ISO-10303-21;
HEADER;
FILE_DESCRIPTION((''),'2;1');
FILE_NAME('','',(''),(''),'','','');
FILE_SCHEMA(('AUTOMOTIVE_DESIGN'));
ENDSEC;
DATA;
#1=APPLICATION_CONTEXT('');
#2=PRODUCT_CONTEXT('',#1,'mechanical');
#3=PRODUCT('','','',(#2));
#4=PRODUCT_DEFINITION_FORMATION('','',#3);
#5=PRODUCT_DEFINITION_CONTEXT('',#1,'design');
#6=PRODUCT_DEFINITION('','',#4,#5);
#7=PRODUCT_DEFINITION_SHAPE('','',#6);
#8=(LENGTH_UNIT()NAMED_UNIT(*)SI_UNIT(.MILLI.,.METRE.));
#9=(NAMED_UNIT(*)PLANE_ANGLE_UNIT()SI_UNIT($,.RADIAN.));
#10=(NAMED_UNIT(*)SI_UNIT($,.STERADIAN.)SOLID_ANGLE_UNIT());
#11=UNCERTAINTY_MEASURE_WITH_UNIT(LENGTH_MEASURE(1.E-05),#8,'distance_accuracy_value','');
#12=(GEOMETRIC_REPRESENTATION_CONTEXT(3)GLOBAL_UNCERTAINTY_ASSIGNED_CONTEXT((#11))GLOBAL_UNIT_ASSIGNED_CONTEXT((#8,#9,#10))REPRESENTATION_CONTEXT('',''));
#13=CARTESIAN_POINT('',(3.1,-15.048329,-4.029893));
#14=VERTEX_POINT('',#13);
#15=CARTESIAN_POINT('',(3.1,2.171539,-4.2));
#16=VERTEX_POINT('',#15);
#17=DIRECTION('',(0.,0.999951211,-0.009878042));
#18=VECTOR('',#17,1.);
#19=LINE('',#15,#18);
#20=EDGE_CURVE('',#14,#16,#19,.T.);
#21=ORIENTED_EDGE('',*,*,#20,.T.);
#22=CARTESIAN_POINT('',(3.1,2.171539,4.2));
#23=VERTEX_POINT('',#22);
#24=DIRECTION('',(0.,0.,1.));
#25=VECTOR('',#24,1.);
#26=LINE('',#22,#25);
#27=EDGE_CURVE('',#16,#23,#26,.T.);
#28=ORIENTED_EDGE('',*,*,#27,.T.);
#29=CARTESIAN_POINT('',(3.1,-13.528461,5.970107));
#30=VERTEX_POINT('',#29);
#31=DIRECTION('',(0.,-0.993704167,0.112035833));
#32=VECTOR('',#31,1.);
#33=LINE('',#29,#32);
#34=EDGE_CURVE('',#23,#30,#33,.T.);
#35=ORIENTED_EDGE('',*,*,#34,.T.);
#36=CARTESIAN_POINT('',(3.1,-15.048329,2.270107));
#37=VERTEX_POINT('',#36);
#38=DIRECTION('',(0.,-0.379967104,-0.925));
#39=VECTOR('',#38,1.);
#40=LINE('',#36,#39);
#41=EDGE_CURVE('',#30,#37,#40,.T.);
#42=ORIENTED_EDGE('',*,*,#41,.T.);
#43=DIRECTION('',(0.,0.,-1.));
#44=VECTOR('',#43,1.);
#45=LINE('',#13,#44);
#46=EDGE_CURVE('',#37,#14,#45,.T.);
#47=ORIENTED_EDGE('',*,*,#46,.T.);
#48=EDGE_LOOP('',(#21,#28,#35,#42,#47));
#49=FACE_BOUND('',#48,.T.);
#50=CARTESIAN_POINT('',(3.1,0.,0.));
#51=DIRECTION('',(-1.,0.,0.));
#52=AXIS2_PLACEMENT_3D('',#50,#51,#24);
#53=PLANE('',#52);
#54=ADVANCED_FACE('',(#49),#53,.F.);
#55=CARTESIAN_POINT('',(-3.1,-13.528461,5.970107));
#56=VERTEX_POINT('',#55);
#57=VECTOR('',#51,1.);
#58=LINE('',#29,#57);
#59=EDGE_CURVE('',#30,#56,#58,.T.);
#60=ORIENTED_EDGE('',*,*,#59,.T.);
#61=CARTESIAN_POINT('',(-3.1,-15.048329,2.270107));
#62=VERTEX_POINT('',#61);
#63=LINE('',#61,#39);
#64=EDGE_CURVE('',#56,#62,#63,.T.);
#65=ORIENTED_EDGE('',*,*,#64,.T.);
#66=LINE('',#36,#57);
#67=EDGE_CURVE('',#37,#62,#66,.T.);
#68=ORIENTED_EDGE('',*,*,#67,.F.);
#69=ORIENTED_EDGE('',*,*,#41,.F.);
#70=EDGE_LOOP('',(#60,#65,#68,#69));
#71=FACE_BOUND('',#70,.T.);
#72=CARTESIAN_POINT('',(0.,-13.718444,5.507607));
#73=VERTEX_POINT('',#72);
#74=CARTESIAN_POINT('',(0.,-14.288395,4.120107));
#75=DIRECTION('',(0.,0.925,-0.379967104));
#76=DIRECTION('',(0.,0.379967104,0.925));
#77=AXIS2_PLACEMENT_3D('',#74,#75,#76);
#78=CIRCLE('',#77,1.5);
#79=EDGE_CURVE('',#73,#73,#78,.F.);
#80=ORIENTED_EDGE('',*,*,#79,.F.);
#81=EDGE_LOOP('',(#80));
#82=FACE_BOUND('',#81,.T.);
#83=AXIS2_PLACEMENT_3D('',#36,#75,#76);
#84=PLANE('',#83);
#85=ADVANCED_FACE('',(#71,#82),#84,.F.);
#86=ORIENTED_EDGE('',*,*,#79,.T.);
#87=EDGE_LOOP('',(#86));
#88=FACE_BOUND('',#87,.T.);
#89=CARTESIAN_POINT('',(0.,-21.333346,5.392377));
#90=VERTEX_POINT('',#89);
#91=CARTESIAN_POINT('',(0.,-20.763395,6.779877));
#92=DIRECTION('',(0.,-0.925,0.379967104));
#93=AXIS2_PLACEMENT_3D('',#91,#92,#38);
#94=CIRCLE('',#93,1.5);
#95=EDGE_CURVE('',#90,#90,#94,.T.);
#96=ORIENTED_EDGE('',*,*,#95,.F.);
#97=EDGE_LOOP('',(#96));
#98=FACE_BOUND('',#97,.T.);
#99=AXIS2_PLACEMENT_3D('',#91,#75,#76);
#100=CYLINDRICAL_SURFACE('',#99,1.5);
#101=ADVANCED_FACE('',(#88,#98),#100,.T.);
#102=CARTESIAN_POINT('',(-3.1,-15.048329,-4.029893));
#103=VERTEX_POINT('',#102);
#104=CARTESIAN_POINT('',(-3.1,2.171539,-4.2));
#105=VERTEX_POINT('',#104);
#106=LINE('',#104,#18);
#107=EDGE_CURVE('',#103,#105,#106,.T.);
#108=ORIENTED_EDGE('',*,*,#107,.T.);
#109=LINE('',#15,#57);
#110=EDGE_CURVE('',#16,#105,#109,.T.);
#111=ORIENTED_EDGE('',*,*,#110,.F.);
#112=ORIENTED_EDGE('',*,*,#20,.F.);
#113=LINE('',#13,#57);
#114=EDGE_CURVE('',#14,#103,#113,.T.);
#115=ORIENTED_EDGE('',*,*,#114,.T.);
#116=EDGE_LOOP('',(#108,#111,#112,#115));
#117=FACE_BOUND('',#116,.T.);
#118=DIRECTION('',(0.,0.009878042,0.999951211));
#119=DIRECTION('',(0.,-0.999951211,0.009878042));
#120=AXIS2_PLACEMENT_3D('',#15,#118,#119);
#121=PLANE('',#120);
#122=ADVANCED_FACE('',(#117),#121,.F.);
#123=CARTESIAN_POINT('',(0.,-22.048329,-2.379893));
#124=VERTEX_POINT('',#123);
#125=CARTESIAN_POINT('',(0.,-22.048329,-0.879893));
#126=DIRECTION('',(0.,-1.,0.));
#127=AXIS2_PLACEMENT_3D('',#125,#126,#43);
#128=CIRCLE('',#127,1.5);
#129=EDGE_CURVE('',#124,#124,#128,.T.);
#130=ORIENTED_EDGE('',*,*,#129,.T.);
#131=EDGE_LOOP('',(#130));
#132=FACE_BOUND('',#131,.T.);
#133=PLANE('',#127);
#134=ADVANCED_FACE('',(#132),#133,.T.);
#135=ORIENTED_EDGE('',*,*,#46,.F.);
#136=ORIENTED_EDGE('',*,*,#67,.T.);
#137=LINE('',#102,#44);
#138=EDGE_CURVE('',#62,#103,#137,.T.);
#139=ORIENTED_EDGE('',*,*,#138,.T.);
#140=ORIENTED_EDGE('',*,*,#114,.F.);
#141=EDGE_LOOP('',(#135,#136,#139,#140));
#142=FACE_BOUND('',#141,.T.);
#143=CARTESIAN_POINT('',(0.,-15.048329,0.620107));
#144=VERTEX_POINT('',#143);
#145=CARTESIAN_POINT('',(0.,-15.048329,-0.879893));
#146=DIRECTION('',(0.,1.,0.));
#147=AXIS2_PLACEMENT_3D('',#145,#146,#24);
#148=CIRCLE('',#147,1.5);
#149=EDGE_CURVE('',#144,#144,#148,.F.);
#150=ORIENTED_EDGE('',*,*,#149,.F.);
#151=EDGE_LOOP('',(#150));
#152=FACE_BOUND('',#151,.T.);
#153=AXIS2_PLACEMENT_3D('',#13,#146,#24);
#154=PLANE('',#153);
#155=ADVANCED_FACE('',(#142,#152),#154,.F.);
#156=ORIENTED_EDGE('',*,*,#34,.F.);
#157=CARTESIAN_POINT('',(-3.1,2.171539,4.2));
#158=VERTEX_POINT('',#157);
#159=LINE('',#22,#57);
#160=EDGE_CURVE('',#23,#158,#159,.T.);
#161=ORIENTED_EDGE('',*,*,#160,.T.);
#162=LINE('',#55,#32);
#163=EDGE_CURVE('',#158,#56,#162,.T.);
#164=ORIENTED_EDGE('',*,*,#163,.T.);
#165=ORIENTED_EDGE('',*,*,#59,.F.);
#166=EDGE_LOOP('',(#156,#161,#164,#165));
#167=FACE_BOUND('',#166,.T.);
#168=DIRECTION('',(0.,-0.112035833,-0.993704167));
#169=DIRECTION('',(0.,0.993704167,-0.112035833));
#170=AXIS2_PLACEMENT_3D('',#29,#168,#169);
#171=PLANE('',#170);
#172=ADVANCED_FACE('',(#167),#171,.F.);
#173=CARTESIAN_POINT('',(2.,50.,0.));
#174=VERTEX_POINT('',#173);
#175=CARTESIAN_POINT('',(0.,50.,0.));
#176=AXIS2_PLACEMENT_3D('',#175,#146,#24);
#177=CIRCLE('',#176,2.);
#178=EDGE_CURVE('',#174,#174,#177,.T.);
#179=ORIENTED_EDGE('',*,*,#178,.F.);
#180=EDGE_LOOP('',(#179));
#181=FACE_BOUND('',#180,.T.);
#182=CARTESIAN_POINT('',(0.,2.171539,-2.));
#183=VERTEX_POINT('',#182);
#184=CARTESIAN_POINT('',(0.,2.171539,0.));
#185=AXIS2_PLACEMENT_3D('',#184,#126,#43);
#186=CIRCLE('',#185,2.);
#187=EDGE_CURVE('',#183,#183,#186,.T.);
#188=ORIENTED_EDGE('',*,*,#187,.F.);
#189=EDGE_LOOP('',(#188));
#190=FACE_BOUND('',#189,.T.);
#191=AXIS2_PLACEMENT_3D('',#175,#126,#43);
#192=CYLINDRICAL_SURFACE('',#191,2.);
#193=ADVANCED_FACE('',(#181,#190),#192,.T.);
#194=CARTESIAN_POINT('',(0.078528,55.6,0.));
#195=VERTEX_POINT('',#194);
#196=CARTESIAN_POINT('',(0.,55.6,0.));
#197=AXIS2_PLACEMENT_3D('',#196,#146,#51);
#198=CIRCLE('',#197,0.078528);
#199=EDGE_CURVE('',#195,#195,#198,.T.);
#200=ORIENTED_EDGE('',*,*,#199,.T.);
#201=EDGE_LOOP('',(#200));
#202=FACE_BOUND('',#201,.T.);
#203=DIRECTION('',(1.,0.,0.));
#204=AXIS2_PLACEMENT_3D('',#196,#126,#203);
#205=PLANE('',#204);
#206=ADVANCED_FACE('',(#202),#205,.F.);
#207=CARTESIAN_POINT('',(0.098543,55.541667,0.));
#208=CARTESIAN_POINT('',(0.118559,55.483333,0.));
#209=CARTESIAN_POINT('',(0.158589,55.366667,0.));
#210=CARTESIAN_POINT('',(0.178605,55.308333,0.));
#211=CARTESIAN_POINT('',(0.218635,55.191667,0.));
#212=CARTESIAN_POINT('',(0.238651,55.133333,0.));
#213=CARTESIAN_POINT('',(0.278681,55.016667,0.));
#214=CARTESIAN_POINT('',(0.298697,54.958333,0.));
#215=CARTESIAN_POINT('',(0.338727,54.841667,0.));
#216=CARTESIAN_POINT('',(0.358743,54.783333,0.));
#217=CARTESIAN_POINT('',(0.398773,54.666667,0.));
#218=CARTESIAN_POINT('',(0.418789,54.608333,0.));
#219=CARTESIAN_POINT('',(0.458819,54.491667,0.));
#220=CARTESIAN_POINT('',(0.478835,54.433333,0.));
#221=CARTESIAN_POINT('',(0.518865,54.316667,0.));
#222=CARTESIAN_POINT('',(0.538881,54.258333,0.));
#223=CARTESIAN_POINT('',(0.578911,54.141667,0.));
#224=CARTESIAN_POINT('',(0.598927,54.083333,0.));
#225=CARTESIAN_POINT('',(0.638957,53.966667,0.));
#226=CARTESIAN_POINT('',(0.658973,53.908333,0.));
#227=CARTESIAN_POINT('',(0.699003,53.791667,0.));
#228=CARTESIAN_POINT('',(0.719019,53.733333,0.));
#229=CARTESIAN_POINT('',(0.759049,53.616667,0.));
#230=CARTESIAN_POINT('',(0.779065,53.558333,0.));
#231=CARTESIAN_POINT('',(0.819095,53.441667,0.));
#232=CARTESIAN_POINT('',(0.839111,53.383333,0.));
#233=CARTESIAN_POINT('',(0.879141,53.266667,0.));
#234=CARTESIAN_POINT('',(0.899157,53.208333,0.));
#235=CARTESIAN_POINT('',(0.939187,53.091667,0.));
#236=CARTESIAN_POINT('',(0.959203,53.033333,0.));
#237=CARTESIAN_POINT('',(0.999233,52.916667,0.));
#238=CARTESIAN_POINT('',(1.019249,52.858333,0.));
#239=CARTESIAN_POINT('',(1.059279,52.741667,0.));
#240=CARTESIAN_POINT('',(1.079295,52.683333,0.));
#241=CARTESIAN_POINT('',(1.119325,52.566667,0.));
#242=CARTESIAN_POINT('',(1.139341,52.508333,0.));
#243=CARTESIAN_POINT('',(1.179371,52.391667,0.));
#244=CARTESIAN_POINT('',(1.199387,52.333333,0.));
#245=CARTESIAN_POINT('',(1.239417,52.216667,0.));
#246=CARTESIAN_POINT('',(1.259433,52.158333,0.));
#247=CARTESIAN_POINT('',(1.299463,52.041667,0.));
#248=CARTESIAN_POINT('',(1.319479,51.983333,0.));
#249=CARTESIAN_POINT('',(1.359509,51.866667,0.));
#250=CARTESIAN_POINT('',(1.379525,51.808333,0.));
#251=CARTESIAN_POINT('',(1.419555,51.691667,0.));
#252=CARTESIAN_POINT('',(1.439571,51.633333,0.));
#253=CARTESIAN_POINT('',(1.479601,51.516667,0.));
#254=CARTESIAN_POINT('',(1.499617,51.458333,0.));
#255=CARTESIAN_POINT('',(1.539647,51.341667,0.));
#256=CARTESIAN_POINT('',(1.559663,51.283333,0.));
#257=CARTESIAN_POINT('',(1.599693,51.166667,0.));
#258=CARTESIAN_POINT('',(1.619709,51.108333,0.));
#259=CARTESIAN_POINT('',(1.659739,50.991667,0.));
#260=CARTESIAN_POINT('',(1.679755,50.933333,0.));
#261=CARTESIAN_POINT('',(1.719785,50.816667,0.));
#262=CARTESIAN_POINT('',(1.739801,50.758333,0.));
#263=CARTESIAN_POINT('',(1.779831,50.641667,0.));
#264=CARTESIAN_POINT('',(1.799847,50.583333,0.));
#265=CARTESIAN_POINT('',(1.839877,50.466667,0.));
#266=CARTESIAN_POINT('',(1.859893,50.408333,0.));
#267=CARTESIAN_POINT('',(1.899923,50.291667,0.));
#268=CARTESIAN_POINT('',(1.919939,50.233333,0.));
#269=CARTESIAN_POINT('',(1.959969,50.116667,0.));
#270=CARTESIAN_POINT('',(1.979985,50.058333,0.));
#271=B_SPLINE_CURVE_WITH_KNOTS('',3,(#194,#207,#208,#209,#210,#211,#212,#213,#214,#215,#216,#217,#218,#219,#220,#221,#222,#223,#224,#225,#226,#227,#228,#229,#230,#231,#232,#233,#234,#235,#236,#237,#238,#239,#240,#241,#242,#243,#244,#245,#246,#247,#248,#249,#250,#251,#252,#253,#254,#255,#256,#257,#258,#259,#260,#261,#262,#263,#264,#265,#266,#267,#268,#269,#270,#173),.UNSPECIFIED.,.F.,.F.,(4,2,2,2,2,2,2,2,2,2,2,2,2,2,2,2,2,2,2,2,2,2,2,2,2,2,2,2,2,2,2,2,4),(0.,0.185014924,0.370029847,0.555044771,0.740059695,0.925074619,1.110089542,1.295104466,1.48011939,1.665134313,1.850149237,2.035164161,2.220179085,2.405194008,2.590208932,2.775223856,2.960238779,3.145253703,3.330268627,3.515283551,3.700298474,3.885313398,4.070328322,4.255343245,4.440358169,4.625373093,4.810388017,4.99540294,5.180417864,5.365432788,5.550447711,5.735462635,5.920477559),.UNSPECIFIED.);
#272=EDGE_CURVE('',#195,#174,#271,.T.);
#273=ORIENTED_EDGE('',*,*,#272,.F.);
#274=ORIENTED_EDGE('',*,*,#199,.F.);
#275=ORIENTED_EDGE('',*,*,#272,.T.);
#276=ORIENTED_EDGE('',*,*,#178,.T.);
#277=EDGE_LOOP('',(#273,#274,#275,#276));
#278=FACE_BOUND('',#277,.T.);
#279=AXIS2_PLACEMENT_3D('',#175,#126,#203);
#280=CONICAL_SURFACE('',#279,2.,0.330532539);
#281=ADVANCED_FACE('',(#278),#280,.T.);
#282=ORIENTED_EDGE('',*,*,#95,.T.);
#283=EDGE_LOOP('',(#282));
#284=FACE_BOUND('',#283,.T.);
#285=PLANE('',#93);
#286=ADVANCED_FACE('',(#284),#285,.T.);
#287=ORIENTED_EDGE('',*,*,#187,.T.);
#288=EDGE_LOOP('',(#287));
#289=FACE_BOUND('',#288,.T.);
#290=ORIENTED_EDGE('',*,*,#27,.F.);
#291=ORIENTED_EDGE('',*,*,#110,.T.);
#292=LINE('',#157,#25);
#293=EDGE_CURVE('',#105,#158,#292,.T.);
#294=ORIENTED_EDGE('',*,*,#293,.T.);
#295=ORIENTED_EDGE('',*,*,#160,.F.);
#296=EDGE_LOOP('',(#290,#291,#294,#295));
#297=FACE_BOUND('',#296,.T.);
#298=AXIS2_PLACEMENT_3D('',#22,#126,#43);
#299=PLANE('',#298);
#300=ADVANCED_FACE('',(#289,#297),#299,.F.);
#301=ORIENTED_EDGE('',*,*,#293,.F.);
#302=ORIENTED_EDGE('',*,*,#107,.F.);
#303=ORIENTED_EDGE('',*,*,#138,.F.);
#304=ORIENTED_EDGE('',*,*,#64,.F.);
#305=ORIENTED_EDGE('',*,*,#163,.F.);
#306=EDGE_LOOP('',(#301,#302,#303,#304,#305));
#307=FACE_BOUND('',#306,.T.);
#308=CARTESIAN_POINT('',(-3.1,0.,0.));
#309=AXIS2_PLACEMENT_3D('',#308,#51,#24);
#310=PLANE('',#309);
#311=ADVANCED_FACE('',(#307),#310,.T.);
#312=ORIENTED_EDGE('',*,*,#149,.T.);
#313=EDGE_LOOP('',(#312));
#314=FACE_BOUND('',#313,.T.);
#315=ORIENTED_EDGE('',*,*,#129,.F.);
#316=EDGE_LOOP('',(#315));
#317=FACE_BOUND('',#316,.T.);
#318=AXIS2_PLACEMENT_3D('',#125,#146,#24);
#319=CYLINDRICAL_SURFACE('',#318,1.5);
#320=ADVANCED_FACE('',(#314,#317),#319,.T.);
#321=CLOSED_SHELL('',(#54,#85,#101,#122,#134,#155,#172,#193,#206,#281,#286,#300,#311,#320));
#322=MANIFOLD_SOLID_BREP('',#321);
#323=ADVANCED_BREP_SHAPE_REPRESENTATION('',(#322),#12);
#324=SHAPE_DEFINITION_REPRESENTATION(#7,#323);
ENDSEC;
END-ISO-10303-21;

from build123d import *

# Parameters (mm, degrees)
SKETCH1_R           = 2
BOSS_EXTRUDE1_DEPTH = 50
BOSS_EXTRUDE2_DEPTH = 3.1
SKETCH4_R           = 1.5
BOSS_EXTRUDE3_DEPTH = 7
SKETCH5_R           = 1.5
BOSS_EXTRUDE4_DEPTH = 7


with BuildPart() as part:
    # Sketch1 → Boss-Extrude1 (new body)
    with BuildSketch(Plane(origin=(0, 0, 0), x_dir=(1, 0, 0), z_dir=(0, 1, 0))):
        with Locations(Location((0, 0, 0), (0, 0, 270))):
            Circle(SKETCH1_R)
    extrude(amount=BOSS_EXTRUDE1_DEPTH)

    # Sketch2 → Revolve1 (revolve)
    with BuildSketch(Plane.XY):
        Polygon((0, 55.6), (0, 50), (2, 50), (0.078528032, 55.6), align=None)
    revolve(axis=Axis((0, 55.6, 0), (0, -1, 0)))

    # Sketch3 → Boss-Extrude2 (add, symmetric)
    with BuildSketch(Plane(origin=(0, 0, 0), x_dir=(0, 0, -1), z_dir=(1, 0, 0))):
        Polygon((-4.2, 2.171539087), (4.2, 2.171539087), (4.029893124, -15.048329328), (-2.270106876, -15.048329328), (-5.970106876, -13.528460913), align=None)
    extrude(amount=BOSS_EXTRUDE2_DEPTH, both=True)

    # Sketch4 → Boss-Extrude3 (add)
    with BuildSketch(Plane(origin=(0, -13.673600271, 5.616776534), x_dir=(-1, 0, 0), z_dir=(0, -0.9250000000000002, 0.37996710383926635))):
        with Locations(Location((0, 1.618021252, 0), (0, 0, 270))):
            Circle(SKETCH4_R)
    extrude(amount=BOSS_EXTRUDE3_DEPTH)

    # Sketch5 → Boss-Extrude4 (add)
    with BuildSketch(Plane(origin=(0, -15.048329328, 0), x_dir=(-1, 0, 0), z_dir=(0, -1, 0))):
        with Locations(Location((0, 0.879893124, 0), (0, 0, 270))):
            Circle(SKETCH5_R)
    extrude(amount=BOSS_EXTRUDE4_DEPTH)


solid = part.part
